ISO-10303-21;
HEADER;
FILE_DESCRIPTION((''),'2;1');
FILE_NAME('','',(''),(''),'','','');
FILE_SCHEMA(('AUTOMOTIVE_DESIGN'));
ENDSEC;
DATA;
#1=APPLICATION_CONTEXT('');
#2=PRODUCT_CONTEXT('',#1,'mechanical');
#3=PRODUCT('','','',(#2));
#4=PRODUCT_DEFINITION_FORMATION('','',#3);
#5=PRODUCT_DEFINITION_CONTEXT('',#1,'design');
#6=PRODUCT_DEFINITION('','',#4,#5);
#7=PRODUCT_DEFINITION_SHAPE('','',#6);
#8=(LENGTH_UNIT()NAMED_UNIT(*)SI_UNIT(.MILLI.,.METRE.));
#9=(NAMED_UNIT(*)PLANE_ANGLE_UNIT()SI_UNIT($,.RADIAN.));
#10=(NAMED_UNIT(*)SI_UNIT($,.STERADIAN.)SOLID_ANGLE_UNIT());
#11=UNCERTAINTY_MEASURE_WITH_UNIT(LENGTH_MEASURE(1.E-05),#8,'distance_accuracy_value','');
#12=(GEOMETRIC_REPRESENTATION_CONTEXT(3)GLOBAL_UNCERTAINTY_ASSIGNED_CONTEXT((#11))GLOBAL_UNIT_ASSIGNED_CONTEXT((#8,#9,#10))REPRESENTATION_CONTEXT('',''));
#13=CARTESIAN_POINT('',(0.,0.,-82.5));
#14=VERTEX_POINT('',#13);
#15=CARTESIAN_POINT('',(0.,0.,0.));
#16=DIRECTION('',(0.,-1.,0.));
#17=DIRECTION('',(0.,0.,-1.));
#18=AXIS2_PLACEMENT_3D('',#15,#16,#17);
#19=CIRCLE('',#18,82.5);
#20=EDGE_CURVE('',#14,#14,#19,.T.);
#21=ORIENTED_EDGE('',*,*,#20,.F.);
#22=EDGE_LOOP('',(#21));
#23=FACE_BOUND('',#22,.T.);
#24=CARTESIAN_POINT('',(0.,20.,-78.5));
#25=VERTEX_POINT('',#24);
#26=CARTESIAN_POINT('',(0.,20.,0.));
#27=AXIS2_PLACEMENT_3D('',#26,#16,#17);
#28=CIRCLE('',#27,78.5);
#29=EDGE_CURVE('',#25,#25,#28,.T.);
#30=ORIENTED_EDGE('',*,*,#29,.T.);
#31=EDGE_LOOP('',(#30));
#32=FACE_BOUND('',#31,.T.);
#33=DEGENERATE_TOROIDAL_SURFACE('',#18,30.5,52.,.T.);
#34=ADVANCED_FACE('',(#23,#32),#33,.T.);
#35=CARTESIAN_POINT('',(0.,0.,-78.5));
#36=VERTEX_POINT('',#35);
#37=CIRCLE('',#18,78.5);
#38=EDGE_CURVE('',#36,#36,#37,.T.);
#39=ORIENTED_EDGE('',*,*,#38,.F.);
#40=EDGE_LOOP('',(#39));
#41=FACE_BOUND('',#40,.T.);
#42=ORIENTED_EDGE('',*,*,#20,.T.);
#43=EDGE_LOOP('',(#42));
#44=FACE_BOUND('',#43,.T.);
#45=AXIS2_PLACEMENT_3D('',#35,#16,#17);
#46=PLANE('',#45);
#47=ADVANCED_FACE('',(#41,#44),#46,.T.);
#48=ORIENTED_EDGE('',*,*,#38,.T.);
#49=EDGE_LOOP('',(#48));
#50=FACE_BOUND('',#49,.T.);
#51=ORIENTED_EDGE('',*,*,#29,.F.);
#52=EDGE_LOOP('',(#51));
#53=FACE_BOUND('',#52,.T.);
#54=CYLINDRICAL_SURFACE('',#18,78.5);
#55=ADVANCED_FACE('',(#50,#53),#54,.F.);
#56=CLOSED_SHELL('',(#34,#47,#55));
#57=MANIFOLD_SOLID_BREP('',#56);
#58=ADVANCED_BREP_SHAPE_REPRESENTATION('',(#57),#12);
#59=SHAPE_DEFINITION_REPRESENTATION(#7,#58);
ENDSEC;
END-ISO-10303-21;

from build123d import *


with BuildPart() as part:
    # Sketch1 → Revolve1 (revolve)
    with BuildSketch(Plane(origin=(0, 0, 0), x_dir=(0, 0, -1), z_dir=(1, 0, 0))):
        with BuildLine():
            Line((78.5, 0), (78.5, 20))
            ThreePointArc((78.5, 20), (81.490195136, 10.198039027), (82.5, 0))
            Line((82.5, 0), (78.5, 0))
        make_face()
    revolve(axis=Axis((0, 0, 0), (0, 1, 0)))


solid = part.part
